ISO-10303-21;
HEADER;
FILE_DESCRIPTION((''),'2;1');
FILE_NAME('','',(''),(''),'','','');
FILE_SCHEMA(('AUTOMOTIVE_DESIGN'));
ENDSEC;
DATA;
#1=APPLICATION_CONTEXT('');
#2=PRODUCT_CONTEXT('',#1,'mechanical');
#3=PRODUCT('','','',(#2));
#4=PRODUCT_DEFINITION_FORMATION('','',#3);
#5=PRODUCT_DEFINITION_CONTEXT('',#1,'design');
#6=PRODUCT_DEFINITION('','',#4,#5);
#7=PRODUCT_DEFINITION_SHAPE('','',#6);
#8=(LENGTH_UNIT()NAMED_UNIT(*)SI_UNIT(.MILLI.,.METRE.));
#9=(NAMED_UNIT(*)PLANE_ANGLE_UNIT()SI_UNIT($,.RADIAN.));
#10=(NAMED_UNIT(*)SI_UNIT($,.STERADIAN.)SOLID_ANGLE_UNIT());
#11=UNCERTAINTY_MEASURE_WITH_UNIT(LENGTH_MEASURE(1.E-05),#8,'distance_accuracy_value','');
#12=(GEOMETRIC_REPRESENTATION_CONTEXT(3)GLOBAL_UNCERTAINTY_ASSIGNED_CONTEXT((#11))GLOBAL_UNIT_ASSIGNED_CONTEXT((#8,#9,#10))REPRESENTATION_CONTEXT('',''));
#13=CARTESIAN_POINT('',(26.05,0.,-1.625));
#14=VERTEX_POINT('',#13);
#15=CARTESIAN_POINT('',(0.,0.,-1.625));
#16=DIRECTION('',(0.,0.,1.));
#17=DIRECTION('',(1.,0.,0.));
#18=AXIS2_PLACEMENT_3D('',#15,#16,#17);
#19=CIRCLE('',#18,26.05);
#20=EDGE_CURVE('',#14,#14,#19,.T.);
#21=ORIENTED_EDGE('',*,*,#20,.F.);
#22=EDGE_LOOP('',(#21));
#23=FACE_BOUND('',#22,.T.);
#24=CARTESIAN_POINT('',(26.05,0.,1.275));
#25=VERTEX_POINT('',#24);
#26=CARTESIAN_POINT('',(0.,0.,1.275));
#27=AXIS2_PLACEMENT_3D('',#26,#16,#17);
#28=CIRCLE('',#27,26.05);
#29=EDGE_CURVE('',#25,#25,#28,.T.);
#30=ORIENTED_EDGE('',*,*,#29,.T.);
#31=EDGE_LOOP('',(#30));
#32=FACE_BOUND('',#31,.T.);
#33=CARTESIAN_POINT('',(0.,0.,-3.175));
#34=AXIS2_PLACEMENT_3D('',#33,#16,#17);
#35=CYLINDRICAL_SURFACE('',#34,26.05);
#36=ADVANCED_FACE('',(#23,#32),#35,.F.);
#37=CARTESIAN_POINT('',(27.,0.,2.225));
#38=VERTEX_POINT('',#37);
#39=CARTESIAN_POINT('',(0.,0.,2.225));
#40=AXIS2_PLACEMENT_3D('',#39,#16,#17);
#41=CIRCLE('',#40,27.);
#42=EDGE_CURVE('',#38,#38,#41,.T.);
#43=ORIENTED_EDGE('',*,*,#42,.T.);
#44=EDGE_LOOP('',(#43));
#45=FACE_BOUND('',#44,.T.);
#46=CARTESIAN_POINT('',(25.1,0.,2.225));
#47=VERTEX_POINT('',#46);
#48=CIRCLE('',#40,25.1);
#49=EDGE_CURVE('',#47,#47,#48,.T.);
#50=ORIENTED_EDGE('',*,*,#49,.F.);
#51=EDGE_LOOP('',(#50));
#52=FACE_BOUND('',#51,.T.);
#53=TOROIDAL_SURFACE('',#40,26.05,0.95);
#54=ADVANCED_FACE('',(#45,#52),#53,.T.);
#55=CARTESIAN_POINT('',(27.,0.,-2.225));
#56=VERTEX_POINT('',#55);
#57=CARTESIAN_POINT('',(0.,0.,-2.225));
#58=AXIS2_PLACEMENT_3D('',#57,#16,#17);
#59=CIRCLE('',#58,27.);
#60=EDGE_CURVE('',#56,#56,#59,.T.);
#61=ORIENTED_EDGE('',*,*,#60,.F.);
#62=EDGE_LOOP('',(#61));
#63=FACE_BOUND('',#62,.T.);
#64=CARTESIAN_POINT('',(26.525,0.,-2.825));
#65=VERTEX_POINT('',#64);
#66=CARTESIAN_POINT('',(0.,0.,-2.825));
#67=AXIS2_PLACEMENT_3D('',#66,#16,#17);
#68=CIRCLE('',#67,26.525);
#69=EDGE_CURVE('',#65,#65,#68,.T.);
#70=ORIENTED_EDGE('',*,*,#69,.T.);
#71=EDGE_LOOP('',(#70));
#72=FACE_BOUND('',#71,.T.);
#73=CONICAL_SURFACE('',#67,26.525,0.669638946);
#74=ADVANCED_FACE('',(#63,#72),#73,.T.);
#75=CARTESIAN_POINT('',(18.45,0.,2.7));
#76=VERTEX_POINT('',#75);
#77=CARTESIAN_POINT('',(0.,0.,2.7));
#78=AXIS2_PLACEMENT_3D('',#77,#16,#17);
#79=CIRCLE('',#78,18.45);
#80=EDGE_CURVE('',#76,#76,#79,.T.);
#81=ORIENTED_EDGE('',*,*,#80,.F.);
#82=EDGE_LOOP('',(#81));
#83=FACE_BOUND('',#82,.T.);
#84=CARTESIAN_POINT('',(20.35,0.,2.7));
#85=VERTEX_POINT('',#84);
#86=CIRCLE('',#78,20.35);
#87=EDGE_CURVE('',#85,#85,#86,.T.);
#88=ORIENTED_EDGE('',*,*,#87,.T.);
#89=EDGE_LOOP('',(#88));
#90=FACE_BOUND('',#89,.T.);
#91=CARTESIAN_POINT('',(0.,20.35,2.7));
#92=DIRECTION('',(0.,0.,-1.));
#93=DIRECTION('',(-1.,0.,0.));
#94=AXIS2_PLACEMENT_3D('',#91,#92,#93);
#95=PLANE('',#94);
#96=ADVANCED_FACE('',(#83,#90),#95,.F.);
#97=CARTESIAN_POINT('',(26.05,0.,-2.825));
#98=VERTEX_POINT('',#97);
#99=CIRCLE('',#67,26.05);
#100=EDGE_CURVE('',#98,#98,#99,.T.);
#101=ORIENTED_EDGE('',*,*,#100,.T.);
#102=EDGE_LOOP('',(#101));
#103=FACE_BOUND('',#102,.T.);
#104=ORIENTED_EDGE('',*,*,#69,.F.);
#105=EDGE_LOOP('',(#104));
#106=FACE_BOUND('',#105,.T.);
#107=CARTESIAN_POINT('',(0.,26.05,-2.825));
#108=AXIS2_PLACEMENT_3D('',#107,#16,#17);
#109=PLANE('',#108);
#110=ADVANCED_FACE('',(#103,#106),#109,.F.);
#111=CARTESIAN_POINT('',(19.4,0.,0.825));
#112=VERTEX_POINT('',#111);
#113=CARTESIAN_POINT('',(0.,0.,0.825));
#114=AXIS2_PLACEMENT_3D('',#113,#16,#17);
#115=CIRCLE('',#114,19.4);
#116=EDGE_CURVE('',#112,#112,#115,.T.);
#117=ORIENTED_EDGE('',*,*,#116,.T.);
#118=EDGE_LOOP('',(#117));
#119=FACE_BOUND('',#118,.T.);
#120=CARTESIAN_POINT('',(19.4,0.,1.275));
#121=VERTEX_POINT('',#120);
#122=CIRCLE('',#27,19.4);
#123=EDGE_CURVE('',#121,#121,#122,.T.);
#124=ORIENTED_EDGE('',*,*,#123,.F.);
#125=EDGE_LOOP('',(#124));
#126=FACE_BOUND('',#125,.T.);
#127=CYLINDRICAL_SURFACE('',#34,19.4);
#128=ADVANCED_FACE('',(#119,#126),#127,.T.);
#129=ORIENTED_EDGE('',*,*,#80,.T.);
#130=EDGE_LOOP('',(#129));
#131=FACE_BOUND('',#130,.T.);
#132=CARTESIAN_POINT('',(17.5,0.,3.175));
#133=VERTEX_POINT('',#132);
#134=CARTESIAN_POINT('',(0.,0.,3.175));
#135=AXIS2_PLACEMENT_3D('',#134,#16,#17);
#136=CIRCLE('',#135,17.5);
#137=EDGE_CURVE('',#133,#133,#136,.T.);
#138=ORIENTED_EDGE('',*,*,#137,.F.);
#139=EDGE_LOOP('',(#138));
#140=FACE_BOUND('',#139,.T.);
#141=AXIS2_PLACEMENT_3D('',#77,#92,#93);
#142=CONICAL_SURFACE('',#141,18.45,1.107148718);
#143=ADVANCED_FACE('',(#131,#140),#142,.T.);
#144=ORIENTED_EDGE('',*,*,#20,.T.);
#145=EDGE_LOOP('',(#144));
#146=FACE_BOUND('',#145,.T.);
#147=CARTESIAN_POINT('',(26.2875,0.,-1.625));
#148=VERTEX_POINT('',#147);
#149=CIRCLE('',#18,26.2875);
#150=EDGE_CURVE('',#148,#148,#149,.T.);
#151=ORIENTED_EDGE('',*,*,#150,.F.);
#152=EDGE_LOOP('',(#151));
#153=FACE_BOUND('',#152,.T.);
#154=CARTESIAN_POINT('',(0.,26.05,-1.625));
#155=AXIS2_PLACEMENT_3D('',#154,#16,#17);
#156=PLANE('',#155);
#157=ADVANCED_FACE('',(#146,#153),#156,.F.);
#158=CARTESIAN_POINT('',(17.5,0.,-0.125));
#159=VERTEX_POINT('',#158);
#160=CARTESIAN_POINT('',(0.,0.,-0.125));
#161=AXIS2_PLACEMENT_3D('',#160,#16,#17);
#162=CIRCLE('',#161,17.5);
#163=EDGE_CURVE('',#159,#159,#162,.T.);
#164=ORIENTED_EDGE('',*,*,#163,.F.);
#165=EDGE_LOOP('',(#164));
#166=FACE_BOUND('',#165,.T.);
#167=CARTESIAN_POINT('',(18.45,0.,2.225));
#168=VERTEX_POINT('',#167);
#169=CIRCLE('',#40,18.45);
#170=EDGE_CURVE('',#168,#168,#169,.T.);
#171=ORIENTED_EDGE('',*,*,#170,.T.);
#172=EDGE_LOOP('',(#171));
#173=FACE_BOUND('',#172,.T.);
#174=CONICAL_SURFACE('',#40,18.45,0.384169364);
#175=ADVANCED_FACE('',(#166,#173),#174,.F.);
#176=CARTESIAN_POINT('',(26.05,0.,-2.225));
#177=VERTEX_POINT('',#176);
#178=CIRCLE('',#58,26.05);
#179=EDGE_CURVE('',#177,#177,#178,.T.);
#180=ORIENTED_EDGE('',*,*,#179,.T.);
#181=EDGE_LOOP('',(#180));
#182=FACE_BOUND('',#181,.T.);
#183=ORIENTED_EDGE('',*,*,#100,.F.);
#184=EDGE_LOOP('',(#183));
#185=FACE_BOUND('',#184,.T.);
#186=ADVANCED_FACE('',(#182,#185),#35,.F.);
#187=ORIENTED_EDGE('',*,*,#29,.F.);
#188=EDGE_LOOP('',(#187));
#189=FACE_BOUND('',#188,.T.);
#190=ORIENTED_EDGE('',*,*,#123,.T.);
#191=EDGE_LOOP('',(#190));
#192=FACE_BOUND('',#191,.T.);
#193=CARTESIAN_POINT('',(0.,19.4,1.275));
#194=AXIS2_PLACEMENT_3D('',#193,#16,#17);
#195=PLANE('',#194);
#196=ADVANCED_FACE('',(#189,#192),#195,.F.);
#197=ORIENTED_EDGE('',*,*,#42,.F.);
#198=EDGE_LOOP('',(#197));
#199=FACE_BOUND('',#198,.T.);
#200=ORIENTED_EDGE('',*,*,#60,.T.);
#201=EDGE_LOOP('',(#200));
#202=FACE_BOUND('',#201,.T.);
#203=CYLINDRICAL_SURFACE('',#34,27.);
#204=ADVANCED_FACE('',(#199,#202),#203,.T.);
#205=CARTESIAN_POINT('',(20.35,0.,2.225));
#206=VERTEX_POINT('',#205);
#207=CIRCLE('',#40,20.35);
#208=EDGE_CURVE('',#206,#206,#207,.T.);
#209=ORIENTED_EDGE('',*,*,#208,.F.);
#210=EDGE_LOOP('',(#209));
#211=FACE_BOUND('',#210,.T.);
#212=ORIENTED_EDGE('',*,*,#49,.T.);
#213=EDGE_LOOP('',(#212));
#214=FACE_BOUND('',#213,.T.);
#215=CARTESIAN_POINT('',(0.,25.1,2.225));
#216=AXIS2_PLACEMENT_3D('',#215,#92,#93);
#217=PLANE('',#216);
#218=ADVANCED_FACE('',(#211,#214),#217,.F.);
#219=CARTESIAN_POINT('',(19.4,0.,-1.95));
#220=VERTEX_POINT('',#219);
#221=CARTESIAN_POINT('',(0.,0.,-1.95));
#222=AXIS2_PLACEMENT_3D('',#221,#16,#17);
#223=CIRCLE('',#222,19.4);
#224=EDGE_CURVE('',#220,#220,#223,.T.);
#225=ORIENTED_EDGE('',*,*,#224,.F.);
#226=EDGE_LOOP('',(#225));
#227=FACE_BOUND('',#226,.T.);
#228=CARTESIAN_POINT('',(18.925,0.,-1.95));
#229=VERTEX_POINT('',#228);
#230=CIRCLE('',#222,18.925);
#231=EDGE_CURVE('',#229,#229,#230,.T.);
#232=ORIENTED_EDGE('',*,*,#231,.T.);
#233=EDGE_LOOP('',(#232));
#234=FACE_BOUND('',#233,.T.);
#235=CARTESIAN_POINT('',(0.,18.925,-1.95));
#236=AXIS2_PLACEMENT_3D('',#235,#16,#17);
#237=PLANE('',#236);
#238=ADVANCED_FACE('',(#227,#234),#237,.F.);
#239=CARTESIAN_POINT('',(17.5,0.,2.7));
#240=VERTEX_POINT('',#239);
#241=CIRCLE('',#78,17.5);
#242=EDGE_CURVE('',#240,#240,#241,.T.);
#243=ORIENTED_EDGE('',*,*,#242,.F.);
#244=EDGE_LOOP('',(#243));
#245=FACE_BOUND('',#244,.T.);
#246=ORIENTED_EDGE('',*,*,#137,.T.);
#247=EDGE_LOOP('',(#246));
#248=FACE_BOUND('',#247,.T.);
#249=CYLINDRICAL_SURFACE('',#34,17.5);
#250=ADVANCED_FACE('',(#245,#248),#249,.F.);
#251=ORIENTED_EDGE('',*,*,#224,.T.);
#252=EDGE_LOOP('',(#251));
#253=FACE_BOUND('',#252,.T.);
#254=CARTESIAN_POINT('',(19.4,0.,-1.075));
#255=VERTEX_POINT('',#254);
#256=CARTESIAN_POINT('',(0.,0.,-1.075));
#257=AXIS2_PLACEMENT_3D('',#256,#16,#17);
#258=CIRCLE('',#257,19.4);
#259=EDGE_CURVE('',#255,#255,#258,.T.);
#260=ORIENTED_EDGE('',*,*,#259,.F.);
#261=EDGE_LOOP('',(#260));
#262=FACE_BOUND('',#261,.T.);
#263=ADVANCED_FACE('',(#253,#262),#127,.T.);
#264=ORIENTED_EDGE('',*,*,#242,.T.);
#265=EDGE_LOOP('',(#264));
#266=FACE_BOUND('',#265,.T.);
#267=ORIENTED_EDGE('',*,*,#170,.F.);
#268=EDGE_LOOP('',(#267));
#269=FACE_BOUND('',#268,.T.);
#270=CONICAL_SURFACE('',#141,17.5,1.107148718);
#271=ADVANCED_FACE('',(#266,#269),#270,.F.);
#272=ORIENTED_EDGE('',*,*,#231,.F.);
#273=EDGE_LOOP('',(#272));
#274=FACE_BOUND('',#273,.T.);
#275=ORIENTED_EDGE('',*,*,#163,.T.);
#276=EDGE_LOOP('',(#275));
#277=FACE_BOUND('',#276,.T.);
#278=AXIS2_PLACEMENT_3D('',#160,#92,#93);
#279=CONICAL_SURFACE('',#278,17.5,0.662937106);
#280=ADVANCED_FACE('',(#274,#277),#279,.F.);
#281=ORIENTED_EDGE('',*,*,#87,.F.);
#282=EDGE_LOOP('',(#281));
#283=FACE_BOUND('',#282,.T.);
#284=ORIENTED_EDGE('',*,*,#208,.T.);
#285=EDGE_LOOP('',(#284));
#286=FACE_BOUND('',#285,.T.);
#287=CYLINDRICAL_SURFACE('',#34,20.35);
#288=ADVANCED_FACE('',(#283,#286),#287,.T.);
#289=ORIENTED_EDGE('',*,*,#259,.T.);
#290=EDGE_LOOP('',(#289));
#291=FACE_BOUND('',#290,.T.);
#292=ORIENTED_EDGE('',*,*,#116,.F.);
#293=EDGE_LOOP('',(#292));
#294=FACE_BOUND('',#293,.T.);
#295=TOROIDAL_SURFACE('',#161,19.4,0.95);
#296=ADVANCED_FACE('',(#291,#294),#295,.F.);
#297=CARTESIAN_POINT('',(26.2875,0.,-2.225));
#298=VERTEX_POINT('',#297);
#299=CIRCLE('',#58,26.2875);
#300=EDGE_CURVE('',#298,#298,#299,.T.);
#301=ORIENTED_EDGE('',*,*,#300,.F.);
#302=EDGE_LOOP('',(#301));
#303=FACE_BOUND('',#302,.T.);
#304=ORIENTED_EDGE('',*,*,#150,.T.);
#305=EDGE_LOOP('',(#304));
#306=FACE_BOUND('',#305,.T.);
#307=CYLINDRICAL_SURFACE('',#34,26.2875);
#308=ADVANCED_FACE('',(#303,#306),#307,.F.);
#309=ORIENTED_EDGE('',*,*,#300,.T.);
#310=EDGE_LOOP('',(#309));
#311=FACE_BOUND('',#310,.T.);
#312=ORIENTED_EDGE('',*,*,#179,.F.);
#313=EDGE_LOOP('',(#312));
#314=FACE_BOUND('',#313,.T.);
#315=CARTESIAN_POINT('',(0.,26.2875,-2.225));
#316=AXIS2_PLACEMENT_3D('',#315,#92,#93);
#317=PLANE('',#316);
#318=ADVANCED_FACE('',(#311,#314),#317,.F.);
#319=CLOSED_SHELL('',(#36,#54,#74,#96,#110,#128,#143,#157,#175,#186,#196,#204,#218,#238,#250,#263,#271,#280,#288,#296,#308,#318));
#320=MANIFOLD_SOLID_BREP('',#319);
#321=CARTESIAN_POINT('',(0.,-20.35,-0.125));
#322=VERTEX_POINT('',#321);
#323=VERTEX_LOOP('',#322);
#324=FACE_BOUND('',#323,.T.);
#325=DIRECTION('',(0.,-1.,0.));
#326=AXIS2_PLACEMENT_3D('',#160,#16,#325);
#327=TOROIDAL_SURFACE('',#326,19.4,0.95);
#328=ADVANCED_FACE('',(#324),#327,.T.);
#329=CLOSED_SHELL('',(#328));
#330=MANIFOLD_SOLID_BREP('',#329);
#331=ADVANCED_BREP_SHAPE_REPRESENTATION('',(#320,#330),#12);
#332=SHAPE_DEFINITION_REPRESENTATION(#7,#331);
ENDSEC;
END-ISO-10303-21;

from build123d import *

# Parameters (mm, degrees)
SKETCH2_R = 0.95


with BuildPart() as part:
    # Sketch1 → Revolve1 (revolve)
    with BuildSketch(Plane(origin=(0, 0, 0), x_dir=(0, 0, -1), z_dir=(1, 0, 0)), mode=Mode.PRIVATE) as revolve1_sk:
        with BuildLine():
            Line((-3.175, 17.5), (-2.7, 17.5))
            Line((-2.7, 17.5), (-2.225, 18.45))
            Line((-2.225, 18.45), (0.125, 17.5))
            Line((0.125, 17.5), (1.95, 18.925))
            Line((1.95, 18.925), (1.95, 19.4))
            Line((1.95, 19.4), (1.075, 19.4))
            ThreePointArc((1.075, 19.4), (0.125, 18.45), (-0.825, 19.4))
            Line((-0.825, 19.4), (-1.275, 19.4))
            Line((-1.275, 19.4), (-1.275, 26.05))
            Line((-1.275, 26.05), (1.625, 26.05))
            Line((1.625, 26.05), (1.625, 26.2875))
            Line((1.625, 26.2875), (2.225, 26.2875))
            Line((2.225, 26.2875), (2.225, 26.05))
            Line((2.225, 26.05), (2.825, 26.05))
            Line((2.825, 26.05), (2.825, 26.525))
            Line((2.825, 26.525), (2.225, 27))
            Line((2.225, 27), (-2.225, 27))
            ThreePointArc((-2.225, 27), (-3.175, 26.05), (-2.225, 25.1))
            Line((-2.225, 25.1), (-2.225, 20.35))
            Line((-2.225, 20.35), (-2.7, 20.35))
            Line((-2.7, 20.35), (-2.7, 18.45))
            Line((-2.7, 18.45), (-3.175, 17.5))
        make_face()
    revolve(revolve1_sk.sketch.rotate(Axis((0, 0, -3.175), (0, 0, 1)), 270), axis=Axis((0, 0, -3.175), (0, 0, 1)))


with BuildPart() as body_2:
    # Sketch2 → Revolve2 (revolve)
    with BuildSketch(Plane(origin=(0, 0, 0), x_dir=(0, 0, -1), z_dir=(1, 0, 0)), mode=Mode.PRIVATE) as revolve2_sk:
        with Locations((0.125, 19.4)):
            Circle(SKETCH2_R)
    revolve(revolve2_sk.sketch.rotate(Axis((0, 0, 3.175), (0, 0, -1)), 180), axis=Axis((0, 0, 3.175), (0, 0, -1)))


solid = Compound([part.part, body_2.part])
